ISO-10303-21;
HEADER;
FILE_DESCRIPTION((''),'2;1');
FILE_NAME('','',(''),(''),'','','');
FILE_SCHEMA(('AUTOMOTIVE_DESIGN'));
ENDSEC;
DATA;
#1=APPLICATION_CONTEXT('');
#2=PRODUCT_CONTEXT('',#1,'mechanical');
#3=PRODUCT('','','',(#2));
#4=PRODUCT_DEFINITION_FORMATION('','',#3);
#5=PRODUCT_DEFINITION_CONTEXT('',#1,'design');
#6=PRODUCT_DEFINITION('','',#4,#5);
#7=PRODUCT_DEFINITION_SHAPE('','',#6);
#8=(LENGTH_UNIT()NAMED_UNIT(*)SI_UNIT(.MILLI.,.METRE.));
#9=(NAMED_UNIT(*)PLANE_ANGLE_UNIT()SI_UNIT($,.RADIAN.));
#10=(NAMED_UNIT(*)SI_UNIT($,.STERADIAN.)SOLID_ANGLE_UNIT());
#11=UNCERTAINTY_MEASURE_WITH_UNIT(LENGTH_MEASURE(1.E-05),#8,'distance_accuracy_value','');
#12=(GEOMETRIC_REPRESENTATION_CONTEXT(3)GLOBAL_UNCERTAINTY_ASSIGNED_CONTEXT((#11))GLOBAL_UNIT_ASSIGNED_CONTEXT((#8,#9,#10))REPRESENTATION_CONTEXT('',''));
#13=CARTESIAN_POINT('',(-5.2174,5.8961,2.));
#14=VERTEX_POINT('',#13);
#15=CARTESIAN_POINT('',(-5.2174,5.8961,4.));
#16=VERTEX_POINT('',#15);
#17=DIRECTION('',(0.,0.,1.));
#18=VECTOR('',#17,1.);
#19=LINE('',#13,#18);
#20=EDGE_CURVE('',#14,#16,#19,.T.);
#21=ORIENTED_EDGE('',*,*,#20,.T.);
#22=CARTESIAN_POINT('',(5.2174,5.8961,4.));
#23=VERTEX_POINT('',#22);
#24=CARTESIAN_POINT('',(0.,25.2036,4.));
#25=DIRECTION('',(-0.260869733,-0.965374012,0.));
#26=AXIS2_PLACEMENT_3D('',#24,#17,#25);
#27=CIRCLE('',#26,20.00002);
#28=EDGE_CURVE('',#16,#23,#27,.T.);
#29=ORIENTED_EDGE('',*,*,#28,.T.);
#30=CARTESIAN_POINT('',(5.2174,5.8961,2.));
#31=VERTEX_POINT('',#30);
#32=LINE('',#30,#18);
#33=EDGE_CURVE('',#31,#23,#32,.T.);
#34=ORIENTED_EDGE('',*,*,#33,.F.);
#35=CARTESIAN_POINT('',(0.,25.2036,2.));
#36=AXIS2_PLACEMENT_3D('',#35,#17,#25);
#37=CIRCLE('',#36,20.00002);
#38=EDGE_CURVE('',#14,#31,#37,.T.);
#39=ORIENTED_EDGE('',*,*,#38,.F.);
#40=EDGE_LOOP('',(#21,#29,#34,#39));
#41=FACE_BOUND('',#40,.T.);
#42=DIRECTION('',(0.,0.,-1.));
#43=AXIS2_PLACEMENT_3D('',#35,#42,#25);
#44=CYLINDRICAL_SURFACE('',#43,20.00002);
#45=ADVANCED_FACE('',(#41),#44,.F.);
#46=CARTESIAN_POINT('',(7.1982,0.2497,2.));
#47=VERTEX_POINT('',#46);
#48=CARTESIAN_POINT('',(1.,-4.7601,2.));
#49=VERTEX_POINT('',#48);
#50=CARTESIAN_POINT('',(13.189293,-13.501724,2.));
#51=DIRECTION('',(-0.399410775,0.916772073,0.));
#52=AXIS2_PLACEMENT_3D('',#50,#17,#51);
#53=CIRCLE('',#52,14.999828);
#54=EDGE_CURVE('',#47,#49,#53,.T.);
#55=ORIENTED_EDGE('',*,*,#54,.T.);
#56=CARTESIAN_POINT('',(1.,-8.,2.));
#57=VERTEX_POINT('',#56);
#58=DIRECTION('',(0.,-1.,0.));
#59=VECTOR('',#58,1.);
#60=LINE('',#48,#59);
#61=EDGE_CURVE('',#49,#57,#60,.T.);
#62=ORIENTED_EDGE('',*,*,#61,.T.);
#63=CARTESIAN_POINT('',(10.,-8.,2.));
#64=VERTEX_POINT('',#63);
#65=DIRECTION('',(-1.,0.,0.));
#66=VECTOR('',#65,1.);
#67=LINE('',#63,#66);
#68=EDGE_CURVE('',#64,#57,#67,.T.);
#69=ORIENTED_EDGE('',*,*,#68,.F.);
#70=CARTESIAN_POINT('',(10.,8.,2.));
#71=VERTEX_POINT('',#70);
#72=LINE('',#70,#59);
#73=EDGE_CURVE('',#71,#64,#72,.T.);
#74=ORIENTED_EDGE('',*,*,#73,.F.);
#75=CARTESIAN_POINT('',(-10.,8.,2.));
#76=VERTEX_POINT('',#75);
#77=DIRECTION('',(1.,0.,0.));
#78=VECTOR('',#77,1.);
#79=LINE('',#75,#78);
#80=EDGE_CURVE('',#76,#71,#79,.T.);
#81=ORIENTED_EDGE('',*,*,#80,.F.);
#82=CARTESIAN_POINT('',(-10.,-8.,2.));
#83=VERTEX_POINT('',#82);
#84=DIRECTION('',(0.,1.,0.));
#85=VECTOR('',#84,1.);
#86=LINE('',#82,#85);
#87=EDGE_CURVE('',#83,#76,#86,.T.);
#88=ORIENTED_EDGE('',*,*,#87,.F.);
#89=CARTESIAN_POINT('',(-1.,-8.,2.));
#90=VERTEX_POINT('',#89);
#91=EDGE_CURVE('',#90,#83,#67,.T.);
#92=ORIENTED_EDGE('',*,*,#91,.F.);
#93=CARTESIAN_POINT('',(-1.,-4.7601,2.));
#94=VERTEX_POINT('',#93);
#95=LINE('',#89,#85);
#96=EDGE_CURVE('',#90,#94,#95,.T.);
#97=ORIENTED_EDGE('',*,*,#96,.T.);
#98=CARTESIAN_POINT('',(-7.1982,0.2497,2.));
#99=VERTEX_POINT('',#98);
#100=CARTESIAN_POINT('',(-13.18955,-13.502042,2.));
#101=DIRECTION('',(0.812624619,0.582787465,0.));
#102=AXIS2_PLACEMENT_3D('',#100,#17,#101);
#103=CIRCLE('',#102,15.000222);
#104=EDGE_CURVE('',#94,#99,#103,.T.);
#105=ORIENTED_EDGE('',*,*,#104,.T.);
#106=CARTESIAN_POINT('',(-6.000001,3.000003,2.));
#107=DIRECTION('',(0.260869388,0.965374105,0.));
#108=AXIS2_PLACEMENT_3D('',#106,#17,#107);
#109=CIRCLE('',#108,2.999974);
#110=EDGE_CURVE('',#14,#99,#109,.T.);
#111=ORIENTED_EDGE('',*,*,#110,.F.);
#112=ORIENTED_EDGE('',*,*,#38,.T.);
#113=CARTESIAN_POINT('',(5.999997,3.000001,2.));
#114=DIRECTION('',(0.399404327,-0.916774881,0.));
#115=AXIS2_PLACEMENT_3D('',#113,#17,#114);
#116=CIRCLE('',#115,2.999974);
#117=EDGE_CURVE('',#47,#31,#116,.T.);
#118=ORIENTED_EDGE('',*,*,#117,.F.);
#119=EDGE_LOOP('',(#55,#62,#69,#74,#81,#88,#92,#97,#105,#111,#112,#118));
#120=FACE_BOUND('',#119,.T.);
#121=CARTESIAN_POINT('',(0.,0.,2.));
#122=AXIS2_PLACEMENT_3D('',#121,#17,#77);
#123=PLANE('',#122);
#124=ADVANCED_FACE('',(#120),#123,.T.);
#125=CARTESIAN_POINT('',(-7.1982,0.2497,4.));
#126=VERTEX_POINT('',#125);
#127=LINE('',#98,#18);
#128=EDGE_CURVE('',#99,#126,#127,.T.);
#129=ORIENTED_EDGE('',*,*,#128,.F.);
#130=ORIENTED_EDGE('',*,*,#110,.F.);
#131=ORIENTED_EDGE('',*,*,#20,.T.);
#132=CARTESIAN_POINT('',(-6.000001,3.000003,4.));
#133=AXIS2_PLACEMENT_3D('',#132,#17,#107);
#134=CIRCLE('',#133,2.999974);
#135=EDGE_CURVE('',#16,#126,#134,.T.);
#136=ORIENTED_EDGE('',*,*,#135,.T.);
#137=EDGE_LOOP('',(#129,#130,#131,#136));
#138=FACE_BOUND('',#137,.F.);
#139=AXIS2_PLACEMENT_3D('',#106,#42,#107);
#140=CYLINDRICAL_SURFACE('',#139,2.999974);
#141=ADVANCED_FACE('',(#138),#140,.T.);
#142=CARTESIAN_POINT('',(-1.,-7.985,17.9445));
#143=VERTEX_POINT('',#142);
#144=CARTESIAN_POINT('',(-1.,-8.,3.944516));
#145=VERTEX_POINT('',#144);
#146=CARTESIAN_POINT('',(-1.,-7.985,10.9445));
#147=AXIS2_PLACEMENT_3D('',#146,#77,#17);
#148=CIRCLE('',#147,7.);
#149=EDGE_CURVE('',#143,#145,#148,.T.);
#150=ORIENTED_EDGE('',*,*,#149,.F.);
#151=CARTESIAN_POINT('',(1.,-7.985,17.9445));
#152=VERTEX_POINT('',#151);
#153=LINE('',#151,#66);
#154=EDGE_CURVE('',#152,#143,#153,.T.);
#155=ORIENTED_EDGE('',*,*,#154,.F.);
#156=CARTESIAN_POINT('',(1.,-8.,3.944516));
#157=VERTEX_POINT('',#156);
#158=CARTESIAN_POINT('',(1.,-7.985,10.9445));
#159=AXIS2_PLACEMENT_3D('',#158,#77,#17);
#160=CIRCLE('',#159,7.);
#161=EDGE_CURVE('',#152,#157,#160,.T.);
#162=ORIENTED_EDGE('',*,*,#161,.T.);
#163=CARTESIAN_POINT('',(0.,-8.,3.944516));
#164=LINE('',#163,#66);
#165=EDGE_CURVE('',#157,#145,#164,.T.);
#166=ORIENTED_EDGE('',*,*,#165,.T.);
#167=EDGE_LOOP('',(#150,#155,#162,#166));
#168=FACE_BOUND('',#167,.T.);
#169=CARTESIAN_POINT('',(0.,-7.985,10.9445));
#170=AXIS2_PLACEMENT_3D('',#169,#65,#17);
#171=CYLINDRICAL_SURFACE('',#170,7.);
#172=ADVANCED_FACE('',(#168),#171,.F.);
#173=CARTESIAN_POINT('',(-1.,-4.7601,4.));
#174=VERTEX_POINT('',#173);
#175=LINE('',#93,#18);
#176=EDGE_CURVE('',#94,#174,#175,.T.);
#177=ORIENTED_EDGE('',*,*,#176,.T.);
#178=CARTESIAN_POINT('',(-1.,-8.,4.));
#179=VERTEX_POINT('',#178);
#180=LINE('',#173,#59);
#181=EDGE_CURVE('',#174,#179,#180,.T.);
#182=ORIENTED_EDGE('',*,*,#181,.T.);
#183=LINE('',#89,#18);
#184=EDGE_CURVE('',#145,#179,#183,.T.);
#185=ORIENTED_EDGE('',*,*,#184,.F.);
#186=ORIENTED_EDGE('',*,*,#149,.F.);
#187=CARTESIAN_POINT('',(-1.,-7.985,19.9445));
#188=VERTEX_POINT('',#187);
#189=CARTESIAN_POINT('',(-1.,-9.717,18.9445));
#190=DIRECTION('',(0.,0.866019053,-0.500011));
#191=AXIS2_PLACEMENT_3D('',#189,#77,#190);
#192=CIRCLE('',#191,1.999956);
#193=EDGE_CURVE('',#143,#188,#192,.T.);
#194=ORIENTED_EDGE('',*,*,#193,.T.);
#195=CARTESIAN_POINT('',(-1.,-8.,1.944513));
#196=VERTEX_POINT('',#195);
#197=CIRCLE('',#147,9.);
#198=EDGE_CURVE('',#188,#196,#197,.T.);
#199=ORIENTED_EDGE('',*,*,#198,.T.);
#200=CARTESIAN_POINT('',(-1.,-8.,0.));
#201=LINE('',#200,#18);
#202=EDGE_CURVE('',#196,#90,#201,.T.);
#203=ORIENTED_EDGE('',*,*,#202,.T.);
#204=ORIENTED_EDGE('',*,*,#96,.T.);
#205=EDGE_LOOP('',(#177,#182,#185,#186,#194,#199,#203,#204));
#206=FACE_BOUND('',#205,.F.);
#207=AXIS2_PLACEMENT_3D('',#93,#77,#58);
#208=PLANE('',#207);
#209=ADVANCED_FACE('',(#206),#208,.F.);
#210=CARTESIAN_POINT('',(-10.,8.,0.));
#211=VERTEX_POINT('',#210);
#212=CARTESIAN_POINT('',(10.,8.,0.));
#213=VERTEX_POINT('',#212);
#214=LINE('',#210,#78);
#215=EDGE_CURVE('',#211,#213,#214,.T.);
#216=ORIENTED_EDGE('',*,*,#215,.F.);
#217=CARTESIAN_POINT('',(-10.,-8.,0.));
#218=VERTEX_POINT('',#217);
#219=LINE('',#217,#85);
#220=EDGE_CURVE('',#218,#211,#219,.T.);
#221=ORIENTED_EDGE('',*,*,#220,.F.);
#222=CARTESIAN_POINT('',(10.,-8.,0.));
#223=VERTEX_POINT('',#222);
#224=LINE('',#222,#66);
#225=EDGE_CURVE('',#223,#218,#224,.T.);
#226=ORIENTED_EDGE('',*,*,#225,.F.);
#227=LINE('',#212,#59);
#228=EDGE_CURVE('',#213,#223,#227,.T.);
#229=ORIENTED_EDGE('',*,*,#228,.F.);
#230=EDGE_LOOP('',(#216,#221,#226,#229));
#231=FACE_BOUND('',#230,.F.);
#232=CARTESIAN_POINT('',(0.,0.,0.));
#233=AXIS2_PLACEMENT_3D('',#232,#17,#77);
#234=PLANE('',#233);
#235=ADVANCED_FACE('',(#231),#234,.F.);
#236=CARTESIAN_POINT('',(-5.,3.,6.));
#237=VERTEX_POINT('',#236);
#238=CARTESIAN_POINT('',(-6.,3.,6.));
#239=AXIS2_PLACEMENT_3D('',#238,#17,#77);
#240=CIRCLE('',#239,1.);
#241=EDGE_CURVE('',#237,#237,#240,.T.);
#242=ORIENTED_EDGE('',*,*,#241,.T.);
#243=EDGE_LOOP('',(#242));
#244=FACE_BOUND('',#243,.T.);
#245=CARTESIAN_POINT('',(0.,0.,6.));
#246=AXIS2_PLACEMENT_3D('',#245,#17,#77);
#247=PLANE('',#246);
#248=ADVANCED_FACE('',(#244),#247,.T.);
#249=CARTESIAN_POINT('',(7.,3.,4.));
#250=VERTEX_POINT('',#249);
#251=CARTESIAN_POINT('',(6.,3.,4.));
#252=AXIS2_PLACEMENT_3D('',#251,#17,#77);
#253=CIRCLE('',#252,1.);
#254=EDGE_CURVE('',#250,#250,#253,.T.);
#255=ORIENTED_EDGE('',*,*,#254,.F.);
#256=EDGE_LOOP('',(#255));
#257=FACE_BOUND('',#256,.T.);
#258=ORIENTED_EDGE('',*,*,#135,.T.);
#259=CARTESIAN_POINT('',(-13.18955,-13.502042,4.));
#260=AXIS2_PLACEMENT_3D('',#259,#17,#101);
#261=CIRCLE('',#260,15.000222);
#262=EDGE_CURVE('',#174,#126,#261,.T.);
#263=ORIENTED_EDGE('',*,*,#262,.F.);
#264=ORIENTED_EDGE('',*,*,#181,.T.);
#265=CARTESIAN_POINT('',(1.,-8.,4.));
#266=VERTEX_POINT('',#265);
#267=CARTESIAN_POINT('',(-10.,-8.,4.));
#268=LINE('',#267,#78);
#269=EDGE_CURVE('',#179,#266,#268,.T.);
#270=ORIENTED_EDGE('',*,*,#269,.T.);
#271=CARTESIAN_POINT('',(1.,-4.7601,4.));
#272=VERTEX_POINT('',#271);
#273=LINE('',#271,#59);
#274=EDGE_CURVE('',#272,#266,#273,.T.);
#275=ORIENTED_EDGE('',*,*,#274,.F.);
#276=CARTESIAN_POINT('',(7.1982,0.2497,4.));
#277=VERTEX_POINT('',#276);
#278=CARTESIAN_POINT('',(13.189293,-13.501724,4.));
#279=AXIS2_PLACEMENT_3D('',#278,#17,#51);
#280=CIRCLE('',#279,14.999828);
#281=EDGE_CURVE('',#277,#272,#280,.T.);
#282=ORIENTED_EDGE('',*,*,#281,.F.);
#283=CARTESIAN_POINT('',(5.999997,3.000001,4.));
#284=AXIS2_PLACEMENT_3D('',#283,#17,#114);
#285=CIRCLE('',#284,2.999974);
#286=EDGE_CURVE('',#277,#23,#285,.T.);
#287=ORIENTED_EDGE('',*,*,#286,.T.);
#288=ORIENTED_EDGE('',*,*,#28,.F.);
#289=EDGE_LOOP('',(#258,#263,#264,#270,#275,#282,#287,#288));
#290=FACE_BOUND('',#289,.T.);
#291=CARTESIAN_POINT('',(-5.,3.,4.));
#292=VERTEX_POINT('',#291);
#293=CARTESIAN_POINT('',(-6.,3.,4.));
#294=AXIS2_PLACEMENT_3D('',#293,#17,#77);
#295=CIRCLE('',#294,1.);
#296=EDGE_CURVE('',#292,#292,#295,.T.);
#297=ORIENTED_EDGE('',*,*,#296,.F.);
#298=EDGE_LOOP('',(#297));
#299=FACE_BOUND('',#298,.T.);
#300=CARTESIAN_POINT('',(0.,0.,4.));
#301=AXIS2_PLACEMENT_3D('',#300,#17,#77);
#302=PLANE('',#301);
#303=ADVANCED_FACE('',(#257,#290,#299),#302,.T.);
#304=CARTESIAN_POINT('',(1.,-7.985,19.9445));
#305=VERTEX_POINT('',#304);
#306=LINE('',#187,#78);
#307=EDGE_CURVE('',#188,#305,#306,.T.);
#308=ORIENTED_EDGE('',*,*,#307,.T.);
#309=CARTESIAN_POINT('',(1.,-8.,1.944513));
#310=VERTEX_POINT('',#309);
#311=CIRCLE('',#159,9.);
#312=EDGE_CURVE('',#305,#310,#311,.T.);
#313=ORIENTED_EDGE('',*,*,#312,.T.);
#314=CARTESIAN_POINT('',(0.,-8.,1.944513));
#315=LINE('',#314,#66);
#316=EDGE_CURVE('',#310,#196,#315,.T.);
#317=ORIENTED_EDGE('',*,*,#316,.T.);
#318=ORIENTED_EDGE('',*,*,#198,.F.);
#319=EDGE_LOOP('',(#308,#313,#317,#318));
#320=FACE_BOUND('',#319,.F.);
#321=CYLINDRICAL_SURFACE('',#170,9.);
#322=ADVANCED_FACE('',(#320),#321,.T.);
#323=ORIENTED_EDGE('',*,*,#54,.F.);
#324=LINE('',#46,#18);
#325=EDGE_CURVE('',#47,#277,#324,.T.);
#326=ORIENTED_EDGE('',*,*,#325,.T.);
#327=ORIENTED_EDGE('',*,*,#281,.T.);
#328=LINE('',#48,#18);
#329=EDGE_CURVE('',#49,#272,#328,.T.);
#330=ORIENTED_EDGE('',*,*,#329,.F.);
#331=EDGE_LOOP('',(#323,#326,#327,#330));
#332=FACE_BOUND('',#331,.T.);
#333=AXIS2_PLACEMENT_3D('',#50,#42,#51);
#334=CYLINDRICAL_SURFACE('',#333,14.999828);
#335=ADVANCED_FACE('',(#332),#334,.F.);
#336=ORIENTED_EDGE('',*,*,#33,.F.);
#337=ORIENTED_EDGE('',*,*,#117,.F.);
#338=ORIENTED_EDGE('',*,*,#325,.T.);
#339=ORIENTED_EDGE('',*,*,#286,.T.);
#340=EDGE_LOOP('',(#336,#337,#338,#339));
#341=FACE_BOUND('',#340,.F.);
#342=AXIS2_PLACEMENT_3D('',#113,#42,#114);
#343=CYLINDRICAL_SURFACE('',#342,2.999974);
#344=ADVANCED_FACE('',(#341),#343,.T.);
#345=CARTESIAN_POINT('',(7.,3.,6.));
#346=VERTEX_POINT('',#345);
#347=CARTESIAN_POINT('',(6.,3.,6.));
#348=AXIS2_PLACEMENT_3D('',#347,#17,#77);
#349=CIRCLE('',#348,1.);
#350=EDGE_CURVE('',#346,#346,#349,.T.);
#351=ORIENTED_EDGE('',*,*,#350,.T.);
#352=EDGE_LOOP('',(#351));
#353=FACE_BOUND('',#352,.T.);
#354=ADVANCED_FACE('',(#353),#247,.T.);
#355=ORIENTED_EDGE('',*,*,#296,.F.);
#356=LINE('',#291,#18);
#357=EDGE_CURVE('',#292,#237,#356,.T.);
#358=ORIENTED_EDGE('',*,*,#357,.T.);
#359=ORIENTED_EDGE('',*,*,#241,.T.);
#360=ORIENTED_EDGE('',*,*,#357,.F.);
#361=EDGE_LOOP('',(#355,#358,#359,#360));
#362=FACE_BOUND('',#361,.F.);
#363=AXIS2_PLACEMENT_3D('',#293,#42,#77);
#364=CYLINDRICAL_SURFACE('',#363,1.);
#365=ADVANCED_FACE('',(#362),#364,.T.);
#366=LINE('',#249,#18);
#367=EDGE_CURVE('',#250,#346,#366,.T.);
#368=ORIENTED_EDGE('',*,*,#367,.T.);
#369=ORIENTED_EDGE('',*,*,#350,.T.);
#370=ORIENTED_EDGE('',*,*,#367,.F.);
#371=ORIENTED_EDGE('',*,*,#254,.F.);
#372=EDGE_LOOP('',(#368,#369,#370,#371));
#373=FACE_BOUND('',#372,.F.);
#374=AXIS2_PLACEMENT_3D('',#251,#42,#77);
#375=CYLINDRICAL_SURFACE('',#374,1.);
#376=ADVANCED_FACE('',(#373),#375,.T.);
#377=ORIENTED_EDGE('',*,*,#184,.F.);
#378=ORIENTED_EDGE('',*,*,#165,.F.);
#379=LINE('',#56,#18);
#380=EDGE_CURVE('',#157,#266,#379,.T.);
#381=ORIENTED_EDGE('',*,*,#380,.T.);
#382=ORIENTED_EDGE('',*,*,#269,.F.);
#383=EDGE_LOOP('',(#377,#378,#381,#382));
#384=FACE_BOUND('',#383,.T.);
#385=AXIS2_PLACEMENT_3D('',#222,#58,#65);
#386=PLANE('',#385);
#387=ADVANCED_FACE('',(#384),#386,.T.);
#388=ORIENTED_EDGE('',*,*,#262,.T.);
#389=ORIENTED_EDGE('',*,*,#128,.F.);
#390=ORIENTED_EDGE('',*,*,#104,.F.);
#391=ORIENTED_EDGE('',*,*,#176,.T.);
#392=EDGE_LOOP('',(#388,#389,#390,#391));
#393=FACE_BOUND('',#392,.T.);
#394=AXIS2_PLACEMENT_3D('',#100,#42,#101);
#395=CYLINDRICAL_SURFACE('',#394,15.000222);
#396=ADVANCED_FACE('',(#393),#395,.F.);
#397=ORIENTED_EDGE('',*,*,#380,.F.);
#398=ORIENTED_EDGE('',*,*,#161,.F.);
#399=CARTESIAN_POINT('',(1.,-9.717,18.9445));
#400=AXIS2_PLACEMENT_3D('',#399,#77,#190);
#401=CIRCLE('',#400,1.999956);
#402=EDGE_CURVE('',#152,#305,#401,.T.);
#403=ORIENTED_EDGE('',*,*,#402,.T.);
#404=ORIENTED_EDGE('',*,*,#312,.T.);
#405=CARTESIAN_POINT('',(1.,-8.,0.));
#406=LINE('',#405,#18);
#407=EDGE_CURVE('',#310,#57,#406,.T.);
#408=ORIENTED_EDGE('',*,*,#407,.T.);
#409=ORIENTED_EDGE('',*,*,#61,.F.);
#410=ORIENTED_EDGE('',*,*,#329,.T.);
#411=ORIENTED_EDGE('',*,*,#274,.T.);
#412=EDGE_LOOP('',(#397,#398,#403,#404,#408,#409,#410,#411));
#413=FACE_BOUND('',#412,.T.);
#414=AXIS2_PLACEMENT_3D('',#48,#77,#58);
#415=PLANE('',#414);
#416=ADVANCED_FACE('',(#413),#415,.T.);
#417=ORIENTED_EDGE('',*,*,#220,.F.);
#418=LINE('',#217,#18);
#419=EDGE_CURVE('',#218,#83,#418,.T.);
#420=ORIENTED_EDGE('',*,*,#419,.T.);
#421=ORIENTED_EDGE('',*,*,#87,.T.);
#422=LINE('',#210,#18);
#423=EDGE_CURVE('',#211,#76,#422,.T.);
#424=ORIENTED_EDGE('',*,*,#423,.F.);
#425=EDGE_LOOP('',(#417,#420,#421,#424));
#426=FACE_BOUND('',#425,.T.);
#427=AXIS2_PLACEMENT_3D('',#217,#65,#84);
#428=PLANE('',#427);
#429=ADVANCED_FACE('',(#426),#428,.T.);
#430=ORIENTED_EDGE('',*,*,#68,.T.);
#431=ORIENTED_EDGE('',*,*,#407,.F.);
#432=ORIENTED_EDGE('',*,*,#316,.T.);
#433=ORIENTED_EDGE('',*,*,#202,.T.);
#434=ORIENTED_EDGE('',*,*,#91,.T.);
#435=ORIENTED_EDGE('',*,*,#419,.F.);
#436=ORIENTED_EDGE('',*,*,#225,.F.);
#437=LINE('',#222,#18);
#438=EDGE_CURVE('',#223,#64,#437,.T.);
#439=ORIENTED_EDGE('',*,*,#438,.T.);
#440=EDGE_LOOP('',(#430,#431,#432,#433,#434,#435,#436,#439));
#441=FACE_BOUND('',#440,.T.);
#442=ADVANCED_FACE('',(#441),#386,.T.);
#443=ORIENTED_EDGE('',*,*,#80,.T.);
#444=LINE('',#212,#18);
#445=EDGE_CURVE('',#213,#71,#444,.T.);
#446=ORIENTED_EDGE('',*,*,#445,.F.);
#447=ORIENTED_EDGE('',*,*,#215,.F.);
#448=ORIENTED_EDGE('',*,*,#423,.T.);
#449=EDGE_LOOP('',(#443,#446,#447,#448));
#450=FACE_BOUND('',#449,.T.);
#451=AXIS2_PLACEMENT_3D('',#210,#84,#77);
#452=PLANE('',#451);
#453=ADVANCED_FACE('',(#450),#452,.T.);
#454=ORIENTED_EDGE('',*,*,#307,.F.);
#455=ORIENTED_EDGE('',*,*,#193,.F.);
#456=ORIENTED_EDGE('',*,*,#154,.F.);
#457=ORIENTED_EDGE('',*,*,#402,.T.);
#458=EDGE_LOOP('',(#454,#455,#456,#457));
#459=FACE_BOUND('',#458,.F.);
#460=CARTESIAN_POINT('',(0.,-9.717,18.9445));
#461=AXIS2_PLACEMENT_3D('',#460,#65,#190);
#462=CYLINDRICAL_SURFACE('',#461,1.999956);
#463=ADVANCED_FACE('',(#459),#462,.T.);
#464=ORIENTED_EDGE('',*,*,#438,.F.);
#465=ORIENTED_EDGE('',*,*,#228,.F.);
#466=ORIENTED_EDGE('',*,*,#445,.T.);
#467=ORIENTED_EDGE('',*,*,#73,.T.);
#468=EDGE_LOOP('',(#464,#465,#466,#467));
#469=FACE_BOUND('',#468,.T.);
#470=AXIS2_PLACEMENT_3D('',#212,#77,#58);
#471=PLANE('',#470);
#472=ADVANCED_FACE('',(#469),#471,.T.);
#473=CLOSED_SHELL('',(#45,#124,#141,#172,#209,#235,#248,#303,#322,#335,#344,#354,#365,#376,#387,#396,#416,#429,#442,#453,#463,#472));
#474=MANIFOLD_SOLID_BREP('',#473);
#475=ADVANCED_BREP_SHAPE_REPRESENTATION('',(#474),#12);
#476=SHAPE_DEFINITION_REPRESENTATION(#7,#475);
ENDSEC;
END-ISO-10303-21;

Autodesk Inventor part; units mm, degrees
ref_plane "YZ Plane" through (0, 0, 0) normal (1, 0, 0) x (0, 1, 0)
ref_plane "XZ Plane" through (0, 0, 0) normal (0, 1, 0) x (-1, 0, 0)
ref_plane "XY Plane" through (0, 0, 0) normal (0, 0, 1) x (1, 0, 0)
sketch "Sketch1" plane through (0, 0, 0) normal (0, 0, 1) x (1, 0, 0)
  line L0 (-10, 8) -> (10, 8)
  line L1 (10, 8) -> (10, -8)
  line L2 (10, -8) -> (-10, -8)
  line L3 (-10, -8) -> (-10, 8)
  line L4 (-10, 8) -> (10, -8) construction
  line L5 (10, 8) -> (-10, -8) construction
  point P0 (0, 0)
  dimension "d0" = 20
  dimension "d1" = 16
extrude "Extrusion1" add sketch "Sketch1" along normal blind 2
sketch "Sketch2" plane through (0, 0, 2) normal (0, 0, 1) x (1, 0, 0)
  line L0 (10, 8) -> (-10, 8) projected
  line L1 (0, -0.2535) -> (0, 8)
  line L2 (0, 0) -> (0, -7.9613)
  line L3 (-10, -8) -> (10, -8) projected
  arc A0 (-5.2174, 5.8961) -> (-7.1982, 0.2497) centre (-6, 3) ccw
  arc A1 (7.1982, 0.2497) -> (5.2174, 5.8961) centre (6, 3) ccw
  arc A2 (-5.2174, 5.8961) -> (5.2174, 5.8961) centre (0, 25.2036) ccw
  line L4 (21.5208, 4.9837) -> (21.5208, 0.7791)
  line L5 (-1, -4.7601) -> (-1, -8)
  line L6 (1, -4.7601) -> (1, -8)
  arc A3 (-1, -4.7601) -> (-7.1982, 0.2497) centre (-13.1894, -13.5019) ccw
  arc A4 (7.1982, 0.2497) -> (1, -4.7601) centre (13.1894, -13.5019) ccw
  dimension "d8" = 16
  dimension "d14" = 15.5208
  dimension "d15" = 27.5208
  dimension "d16" = 1
  dimension "d18" = 15
extrude "Extrusion2" add sketch "Sketch2" along normal blind 2
sketch "Sketch3" plane through (0, 0, 4) normal (0, 0, 1) x (1, 0, 0)
  circle A0 centre (-6, 3) radius 1
  line L0 (10, 8) -> (-10, 8) projected
  circle A1 centre (6, 3) radius 1
  point P0 (0, 0)
  dimension "d21" = 2
  dimension "d22" = 5
extrude "Extrusion3" add sketch "Sketch3" along normal blind 2
sketch "Sketch4" plane through (0, 0, 0) normal (0, 1, 0) x (-1, 0, 0)
  point P0 (0, 0)
sketch "Sketch5" plane through (0, 0, 0) normal (1, 0, 0) x (0, 1, 0)
  point P0 (0, 0)
sketch "Sketch6" plane through (-10, -8, 0) normal (0, -1, 0) x (1, 0, 0)
  line L0 (9, 2) -> (9, 4) projected
  point P0 (10, 0)
sketch "Sketch7" plane through (-10, -8, 0) normal (0, -1, 0) x (1, 0, 0)
  point P0 (10, 0)
sketch "Sketch8" plane through (0, 0, 0) normal (1, 0, 0) x (0, 1, 0)
  point P0 (0, 0)
sketch "Sketch9" plane through (0, 0, 0) normal (0, 0, 1) x (1, 0, 0)
  point P0 (0, 0)
extrude "Extrusion4" [suppressed]
sketch "Sketch10" plane through (0, 0, 0) normal (0, 1, 0) x (-1, 0, 0)
  point P0 (0, 0)
sketch "Sketch11" plane through (0, 0, 0) normal (0, 1, 0) x (-1, 0, 0)
  point P0 (0, 0)
extrude "Extrusion5" [suppressed]
sketch "Sketch12" plane through (0, 0, 0) normal (1, 0, 0) x (0, 1, 0)
  point P0 (0, 0)
sketch "Sketch13" plane through (0, 0, 0) normal (0, 1, 0) x (-1, 0, 0)
  line L0 (1, 2) -> (1, 4) projected
  point P0 (0, 0)
sketch "Sketch14" plane through (0, 0, 0) normal (0, 1, 0) x (-1, 0, 0)
  point P0 (0, 0)
extrude "Extrusion6" [suppressed]
sketch "Sketch15" plane through (0, 0, 0) normal (1, 0, 0) x (0, 1, 0)
  arc A0 (-7.985, 19.9445) -> (-7.985, 1.9445) centre (-7.985, 10.9445) ccw
  arc A1 (-7.985, 17.9445) -> (-7.985, 3.9445) centre (-7.985, 10.9445) ccw
  line L0 (-7.985, 1.9445) -> (-7.985, 3.9445)
  arc A2 (-7.985, 17.9445) -> (-7.985, 19.9445) centre (-9.717, 18.9445) ccw
  point P0 (0, 0)
  dimension "d44" = 2
extrude "Extrusion7" add sketch "Sketch15" along normal mid plane 2
properties part number "cad@25"
